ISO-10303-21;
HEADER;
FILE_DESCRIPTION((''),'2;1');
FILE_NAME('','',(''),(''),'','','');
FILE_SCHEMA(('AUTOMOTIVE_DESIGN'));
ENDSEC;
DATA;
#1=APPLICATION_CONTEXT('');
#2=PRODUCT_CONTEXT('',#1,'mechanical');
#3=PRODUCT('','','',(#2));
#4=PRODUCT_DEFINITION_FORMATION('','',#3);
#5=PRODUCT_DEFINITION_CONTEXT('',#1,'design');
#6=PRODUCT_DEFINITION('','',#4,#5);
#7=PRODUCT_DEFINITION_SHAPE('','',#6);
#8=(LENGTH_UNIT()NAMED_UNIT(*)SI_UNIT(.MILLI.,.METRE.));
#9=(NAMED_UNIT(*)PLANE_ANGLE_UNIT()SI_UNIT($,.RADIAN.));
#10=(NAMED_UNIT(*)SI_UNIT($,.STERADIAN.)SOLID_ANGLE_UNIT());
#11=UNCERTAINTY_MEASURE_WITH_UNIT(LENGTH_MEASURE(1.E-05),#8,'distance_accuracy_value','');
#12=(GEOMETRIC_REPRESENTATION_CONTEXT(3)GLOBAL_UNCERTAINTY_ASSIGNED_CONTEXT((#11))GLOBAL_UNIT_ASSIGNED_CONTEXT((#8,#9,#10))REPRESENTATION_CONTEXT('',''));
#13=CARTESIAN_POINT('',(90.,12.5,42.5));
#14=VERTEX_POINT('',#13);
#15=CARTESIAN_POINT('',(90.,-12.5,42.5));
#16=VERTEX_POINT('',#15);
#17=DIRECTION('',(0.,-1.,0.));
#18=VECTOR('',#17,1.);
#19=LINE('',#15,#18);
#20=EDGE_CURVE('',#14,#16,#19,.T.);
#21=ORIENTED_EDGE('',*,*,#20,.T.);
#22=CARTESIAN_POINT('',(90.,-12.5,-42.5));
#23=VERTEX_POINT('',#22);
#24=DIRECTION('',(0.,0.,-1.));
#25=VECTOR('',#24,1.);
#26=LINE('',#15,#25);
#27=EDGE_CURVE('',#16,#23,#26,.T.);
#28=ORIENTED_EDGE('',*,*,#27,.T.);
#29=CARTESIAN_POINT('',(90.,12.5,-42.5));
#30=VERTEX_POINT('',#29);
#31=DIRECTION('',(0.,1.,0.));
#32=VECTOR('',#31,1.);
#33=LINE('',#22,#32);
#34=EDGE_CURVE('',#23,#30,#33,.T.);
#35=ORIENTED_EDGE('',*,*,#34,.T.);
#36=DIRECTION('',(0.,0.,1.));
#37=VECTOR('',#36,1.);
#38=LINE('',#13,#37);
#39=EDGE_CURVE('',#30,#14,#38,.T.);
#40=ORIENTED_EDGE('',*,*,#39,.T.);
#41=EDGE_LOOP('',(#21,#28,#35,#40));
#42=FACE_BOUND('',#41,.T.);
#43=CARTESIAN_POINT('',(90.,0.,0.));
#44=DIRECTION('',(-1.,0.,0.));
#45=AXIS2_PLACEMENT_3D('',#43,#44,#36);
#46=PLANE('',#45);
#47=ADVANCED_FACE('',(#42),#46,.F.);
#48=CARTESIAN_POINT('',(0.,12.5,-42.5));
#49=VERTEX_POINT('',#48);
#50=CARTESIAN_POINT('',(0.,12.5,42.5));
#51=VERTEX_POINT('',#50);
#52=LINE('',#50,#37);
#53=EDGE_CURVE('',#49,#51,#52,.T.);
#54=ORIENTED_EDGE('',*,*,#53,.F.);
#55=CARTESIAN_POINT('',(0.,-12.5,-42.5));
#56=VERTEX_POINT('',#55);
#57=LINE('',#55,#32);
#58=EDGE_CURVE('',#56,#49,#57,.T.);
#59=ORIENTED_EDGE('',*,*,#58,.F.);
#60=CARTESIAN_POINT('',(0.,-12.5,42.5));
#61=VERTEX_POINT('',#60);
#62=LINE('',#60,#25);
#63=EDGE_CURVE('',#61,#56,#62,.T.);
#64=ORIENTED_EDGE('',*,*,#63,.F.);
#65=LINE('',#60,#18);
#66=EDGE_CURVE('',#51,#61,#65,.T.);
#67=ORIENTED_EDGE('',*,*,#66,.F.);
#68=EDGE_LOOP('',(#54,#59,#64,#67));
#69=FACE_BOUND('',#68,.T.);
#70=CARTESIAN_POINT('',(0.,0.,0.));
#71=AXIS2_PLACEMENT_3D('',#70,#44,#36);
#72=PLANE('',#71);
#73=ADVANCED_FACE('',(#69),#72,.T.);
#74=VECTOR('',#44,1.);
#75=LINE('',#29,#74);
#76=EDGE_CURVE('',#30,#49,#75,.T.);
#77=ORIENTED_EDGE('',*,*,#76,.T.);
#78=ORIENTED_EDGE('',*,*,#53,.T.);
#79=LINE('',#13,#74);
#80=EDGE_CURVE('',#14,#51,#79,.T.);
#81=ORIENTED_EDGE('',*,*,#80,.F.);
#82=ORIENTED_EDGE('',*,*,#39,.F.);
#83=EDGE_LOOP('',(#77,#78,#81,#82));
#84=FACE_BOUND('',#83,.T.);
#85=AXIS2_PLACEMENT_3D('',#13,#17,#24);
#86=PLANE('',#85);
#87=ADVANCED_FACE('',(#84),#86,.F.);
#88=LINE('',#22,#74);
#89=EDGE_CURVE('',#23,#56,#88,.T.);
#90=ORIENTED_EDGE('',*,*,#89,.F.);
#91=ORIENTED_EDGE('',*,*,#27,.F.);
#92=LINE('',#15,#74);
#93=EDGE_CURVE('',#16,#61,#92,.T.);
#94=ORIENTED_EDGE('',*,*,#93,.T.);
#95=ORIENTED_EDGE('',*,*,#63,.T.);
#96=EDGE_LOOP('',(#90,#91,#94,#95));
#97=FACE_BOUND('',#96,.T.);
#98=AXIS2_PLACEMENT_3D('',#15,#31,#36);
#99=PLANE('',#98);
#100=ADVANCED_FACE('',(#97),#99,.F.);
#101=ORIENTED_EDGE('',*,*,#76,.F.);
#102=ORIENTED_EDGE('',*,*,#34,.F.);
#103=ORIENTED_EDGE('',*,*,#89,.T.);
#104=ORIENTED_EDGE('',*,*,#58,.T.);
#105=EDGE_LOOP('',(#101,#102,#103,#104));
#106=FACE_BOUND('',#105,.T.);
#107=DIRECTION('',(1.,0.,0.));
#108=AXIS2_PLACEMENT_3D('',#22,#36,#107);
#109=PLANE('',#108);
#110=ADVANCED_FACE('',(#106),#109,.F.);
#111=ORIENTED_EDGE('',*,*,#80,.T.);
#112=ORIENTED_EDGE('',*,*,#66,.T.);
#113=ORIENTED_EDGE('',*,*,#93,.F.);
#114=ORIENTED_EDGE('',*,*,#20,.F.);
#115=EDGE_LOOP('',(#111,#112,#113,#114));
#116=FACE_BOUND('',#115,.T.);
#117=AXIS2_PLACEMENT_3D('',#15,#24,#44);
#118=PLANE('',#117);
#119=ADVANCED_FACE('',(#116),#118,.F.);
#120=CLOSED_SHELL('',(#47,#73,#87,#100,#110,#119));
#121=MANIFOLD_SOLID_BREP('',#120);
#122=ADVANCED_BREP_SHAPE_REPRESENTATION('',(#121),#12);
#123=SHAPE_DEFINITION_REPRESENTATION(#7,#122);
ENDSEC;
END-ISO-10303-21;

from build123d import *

# Parameters (mm, degrees)
ESBO_O1_W                = 85
ESBO_O1_H                = 25
RESSALTO_EXTRUS_O1_DEPTH = 90


with BuildPart() as part:
    # Esboço1 → Ressalto-extrusão1 (new body)
    with BuildSketch(Plane(origin=(0, 0, 0), x_dir=(0, 0, -1), z_dir=(1, 0, 0))):
        Rectangle(ESBO_O1_W, ESBO_O1_H)
    extrude(amount=RESSALTO_EXTRUS_O1_DEPTH)


solid = part.part
